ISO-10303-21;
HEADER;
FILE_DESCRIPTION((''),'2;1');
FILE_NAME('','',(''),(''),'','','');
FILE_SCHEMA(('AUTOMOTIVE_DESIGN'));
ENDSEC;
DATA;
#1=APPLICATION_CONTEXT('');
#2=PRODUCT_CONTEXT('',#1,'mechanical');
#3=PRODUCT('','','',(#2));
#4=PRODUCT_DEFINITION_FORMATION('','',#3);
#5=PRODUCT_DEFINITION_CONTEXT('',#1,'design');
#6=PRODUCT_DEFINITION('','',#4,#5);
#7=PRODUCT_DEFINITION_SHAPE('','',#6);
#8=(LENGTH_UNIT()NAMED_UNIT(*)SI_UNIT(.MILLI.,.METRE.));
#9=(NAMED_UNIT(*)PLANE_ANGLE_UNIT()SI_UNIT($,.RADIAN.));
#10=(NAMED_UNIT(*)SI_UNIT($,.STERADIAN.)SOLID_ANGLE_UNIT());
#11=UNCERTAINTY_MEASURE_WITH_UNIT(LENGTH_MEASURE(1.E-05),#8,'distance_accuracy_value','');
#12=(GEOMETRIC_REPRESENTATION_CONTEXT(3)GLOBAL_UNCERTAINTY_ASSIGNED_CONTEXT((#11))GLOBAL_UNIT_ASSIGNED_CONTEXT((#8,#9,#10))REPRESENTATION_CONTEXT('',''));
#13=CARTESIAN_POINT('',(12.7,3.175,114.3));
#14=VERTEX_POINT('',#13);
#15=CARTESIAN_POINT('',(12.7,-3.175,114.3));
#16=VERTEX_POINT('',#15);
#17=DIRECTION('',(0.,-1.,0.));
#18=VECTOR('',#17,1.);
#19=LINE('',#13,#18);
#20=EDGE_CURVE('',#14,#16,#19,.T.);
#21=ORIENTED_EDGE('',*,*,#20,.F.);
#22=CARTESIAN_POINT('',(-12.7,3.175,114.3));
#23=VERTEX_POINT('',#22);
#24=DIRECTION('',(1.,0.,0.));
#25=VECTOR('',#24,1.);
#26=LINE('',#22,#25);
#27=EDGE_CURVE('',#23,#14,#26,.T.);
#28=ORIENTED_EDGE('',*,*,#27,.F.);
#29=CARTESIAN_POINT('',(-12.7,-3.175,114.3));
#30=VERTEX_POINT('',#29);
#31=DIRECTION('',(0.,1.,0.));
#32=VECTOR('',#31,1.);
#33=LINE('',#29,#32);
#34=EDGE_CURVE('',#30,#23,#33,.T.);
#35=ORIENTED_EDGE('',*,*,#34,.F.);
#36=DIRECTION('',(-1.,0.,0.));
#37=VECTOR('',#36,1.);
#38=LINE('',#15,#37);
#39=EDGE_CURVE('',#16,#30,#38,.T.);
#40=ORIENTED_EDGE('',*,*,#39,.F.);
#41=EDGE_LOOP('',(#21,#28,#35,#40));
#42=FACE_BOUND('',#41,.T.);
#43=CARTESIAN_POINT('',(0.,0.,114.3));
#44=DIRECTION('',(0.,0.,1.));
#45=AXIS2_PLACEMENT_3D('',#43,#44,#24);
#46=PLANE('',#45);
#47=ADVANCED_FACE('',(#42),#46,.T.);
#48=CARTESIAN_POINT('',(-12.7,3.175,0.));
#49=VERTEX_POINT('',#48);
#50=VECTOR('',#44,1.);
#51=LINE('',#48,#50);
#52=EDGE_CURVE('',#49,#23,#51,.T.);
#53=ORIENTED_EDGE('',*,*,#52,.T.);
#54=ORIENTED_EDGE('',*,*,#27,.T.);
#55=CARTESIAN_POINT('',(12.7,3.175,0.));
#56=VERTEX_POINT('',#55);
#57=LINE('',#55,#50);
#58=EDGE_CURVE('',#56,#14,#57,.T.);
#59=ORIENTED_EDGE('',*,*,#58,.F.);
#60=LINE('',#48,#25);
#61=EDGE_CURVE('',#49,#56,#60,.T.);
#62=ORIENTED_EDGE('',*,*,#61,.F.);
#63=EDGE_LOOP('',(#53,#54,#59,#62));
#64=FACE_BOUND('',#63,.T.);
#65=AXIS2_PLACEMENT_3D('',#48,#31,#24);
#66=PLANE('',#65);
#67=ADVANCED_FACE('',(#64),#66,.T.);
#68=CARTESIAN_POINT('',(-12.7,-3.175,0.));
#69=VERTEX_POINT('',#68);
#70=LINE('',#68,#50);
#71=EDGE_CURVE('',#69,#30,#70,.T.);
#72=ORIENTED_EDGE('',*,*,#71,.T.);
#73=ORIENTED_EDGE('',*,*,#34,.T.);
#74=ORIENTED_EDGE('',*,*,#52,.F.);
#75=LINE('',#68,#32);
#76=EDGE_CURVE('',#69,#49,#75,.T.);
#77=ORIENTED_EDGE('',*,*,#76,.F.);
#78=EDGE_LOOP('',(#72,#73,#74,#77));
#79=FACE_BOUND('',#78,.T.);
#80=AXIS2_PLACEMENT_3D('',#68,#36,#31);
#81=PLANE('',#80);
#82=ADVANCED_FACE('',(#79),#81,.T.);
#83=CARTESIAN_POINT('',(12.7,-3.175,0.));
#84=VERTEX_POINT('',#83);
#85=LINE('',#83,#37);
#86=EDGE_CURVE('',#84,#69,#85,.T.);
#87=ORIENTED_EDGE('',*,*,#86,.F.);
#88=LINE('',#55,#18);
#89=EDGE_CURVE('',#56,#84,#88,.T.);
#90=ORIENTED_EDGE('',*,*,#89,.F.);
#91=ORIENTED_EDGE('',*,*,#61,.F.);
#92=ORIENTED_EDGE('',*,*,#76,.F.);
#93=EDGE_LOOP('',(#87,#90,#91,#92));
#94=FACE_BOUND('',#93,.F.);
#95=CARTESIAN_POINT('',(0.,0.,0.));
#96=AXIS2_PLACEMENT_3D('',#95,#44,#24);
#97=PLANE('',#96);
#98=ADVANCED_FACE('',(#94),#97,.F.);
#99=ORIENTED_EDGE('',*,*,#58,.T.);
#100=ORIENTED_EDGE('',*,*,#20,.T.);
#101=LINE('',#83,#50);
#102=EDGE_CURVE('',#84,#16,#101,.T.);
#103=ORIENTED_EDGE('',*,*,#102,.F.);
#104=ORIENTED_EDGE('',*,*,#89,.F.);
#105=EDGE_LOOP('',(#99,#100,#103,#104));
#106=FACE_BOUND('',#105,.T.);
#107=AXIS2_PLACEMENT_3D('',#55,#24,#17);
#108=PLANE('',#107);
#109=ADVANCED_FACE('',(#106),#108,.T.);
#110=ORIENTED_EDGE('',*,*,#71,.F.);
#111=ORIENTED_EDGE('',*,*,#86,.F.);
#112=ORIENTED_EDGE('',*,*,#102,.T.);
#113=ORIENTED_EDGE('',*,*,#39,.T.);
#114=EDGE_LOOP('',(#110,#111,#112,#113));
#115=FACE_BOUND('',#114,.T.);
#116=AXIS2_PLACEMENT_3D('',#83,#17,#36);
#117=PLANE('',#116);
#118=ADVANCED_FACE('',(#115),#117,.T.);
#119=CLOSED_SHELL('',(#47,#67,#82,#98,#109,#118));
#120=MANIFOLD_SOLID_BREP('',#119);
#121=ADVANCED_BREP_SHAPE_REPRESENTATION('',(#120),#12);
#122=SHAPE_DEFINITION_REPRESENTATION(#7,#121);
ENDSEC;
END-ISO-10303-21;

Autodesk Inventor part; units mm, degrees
ref_plane "YZ Plane" through (0, 0, 0) normal (1, 0, 0) x (0, 1, 0)
ref_plane "Start plane" through (0, 0, 0) normal (0, 0, 1) x (1, 0, 0)
ref_plane "End plane" through (0, 0, 114.3) normal (0, 0, 1) x (1, 0, 0)
sketch "Sketch" plane through (0, 0, 0) normal (0, 0, 1) x (1, 0, 0)
  line L0 (12.7, -3.175) -> (-12.7, -3.175)
  line L1 (-12.7, -3.175) -> (-12.7, 3.175)
  line L2 (-12.7, 3.175) -> (12.7, 3.175)
  line L3 (12.7, 3.175) -> (12.7, -3.175)
  line L4 (-6, 0) -> (8, 0) construction
  line L5 (0, -30) -> (0, 40) construction
  line L6 (0, 54) -> (0, -44) construction
  line L7 (-17.78, 0) -> (17.78, 0) construction
  dimension "d0" = 6.35
  dimension "d1" = 25.4
  dimension "d4" = 12.7
  dimension "d5" = 3.175
extrude "Body" add sketch "Sketch" along normal up to surface (114.3 mm away) from surface at 0
sketch "Sketch3" plane through (0, 0, 0) normal (0, 0, 1) x (1, 0, 0)
  line L0 (0, 0) -> (10, 0)
ref_plane "Work Plane3" through (0, 0, 0) normal (0, -1, 0) x (1, 0, 0)
sketch "Sketch4" plane through (0, 0, 0) normal (0, -1, 0) x (1, 0, 0)
  line L0 (-2, 0) -> (12, 0)
  line L1 (-2, 114.3) -> (12, 114.3)
  dimension "d9" = 114.3
equation "\"d0\" = G_W"
equation "\"d1\" = G_H"
equation "\"d4\" = 0.5 * d1"
equation "\"d5\" = 0.5 * d0"
equation "\"d2\" = G_L"
equation "\"G_W\" = 6.35"
equation "\"G_H\" = 25.4"
equation "\"G_L\" = d9"
equation "\"G_OFFSET_START\" = 0"
equation "\"G_OFFSET_END\" = 0"
equation "\"d7\" = G_OFFSET_END + B_L"
equation "\"B_L\" = 114.3"
properties part number "AISC - 1/4x1 - 4.5" material "Steel, Mild"
